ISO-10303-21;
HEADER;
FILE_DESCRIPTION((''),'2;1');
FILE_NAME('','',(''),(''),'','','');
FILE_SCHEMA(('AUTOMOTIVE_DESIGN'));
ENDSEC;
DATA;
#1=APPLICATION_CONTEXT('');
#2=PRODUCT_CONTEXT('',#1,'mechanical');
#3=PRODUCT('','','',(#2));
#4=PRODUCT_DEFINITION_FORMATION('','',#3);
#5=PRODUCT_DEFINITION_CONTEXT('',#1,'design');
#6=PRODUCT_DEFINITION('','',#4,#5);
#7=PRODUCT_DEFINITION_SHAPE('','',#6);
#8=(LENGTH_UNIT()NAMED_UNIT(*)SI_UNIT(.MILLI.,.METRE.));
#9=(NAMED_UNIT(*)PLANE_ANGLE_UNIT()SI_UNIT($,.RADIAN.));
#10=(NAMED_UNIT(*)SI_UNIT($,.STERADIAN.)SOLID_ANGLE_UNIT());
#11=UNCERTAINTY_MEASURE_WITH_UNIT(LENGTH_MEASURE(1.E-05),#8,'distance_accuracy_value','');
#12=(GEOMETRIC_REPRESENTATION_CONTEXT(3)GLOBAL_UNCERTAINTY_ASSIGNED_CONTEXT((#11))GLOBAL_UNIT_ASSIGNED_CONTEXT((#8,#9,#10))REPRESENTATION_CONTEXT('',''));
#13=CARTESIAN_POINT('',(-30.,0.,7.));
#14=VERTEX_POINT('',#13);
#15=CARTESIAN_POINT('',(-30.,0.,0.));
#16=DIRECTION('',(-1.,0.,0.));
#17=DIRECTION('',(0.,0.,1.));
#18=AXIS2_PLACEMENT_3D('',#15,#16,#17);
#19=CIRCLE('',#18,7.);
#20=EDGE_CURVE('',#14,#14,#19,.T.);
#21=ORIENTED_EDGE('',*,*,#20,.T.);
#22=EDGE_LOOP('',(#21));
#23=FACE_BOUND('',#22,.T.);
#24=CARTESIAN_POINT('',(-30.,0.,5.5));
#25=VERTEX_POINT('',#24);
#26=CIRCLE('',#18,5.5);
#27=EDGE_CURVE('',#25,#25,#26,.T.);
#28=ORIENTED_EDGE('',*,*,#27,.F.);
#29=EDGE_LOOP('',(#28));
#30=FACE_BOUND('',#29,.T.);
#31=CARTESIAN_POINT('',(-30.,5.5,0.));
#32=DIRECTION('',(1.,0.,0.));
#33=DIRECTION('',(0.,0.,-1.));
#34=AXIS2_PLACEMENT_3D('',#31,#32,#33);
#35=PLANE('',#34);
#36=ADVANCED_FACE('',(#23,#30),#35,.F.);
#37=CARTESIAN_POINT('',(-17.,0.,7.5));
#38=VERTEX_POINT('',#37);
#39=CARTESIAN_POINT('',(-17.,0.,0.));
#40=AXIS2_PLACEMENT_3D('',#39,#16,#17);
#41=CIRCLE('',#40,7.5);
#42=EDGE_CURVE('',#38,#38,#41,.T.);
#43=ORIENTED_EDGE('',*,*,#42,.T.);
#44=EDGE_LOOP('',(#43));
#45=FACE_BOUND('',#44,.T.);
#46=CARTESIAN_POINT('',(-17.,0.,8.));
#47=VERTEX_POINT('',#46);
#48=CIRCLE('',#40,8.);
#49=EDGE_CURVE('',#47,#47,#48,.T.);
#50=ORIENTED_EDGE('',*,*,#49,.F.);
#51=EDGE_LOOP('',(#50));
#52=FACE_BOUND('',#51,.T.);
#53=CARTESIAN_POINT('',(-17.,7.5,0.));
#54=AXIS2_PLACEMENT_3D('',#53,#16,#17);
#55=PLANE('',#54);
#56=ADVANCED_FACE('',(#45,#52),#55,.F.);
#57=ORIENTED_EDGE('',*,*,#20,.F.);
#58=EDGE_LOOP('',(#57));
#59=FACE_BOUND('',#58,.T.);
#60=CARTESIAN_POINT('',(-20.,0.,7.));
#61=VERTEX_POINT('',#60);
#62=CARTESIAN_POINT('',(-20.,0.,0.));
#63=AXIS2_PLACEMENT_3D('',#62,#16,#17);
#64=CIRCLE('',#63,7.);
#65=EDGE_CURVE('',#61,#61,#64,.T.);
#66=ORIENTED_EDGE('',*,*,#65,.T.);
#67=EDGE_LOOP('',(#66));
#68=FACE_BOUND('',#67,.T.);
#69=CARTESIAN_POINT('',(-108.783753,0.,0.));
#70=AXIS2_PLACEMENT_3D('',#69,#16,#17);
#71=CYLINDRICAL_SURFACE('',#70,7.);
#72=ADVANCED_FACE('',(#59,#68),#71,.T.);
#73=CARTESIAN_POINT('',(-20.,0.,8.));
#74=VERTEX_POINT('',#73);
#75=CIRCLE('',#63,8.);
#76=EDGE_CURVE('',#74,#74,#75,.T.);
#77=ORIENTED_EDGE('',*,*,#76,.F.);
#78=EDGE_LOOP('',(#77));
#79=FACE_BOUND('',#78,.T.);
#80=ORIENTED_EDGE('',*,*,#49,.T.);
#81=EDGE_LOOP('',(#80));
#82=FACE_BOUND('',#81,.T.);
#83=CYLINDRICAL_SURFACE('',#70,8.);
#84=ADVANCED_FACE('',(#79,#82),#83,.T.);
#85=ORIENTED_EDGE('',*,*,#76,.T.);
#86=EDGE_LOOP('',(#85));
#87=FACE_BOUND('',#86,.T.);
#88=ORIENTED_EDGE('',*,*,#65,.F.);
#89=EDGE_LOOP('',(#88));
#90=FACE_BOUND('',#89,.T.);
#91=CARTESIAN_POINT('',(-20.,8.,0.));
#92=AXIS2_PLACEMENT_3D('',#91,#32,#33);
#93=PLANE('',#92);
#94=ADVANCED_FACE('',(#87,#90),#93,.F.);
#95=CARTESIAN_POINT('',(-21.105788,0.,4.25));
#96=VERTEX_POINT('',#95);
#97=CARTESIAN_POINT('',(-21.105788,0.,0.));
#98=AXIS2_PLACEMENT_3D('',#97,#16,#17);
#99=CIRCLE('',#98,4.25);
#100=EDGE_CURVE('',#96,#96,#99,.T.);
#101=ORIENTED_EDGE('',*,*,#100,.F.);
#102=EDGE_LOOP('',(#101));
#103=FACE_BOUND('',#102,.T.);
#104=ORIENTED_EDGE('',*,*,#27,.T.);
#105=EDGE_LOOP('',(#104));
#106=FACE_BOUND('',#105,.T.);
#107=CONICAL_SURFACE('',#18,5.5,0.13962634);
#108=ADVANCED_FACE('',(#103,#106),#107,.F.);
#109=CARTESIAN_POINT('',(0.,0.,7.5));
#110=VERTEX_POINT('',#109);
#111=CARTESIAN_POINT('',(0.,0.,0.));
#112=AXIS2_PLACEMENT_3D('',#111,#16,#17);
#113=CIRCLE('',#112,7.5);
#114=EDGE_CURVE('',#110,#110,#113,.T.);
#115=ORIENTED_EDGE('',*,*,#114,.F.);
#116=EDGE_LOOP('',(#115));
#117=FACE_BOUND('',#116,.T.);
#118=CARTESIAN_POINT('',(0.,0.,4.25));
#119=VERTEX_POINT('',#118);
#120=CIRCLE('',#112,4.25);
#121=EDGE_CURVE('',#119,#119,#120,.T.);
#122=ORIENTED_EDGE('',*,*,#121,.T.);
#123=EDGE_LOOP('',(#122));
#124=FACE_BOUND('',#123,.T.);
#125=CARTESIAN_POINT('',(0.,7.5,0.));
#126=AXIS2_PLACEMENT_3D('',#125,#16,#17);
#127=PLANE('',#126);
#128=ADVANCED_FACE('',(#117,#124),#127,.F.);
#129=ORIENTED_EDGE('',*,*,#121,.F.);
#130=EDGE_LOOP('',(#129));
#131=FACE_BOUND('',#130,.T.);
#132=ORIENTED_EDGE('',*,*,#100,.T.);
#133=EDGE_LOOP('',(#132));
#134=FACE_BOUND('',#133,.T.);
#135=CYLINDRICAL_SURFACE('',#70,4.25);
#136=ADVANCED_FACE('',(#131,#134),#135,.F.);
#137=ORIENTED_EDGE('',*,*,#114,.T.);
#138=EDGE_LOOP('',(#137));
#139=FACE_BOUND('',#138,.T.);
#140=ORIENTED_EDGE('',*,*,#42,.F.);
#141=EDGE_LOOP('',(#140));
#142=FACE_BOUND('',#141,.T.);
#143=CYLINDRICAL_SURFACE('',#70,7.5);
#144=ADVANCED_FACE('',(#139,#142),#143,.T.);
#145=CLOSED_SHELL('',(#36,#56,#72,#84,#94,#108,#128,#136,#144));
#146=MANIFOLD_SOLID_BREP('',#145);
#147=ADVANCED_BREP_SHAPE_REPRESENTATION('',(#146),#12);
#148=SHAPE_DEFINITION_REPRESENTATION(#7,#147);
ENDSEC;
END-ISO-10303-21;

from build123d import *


with BuildPart() as part:
    # Sketch1 → Revolve1 (revolve)
    with BuildSketch(Plane.XY):
        Polygon((0, 4.25), (-21.105787847, 4.25), (-30, 5.5), (-30, 7), (-20, 7), (-20, 8), (-17, 8), (-17, 7.5), (0, 7.5), align=None)
    revolve(axis=Axis((-108.783752644, 0, 0), (1, 0, 0)))


solid = part.part
